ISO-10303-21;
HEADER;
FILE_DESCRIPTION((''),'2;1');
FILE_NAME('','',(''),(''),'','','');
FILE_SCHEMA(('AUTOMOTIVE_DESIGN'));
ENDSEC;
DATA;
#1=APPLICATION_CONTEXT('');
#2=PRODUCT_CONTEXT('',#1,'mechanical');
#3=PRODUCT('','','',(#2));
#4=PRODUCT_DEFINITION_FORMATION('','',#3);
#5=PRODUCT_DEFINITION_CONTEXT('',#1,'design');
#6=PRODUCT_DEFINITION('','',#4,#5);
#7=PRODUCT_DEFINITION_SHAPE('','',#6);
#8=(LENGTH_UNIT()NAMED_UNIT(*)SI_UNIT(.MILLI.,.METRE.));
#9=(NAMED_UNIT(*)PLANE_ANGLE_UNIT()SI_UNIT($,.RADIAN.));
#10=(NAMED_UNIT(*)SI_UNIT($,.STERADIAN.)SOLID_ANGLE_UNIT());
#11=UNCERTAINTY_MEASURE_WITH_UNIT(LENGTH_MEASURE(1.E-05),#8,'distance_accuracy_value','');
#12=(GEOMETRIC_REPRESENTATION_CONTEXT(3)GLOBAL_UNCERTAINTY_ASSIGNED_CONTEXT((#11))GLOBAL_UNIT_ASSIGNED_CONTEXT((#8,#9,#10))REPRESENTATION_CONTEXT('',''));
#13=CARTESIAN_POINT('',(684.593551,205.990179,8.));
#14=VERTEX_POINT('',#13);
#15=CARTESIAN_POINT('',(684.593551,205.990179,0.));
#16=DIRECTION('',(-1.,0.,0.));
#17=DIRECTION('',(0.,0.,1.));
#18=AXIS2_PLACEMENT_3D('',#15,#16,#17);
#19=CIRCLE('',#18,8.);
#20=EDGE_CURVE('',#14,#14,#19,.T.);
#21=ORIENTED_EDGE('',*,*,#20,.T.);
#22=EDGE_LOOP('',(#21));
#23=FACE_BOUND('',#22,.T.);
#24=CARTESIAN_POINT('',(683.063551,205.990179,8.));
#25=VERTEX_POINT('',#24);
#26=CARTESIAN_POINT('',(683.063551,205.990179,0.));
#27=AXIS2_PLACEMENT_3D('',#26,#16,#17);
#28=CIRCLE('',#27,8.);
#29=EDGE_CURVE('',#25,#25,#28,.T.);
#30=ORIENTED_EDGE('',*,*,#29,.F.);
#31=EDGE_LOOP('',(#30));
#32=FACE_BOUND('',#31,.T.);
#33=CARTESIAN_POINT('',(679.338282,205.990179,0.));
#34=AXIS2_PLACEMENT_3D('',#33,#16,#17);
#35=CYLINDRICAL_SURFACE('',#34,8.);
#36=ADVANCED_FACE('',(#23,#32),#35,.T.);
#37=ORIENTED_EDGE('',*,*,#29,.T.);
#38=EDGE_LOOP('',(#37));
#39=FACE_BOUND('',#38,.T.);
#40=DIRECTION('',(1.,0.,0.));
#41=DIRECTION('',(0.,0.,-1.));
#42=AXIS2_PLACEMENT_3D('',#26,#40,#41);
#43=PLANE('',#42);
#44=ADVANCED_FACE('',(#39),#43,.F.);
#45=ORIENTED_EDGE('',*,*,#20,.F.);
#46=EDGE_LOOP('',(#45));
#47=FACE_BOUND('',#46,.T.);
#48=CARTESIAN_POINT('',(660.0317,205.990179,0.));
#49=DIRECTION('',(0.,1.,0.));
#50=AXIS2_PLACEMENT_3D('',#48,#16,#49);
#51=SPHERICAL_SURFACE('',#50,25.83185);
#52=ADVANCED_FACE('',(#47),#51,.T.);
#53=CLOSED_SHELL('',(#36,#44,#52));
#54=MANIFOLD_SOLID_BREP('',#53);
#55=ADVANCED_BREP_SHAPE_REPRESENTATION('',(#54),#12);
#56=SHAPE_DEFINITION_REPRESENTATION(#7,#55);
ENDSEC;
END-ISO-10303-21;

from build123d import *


with BuildPart() as part:
    # 草图1 → 旋转1 (revolve)
    with BuildSketch(Plane.XY):
        with BuildLine():
            Line((683.063550857, 205.990179432), (683.063550857, 213.990179432))
            Line((683.063550857, 213.990179432), (684.593550857, 213.990179432))
            ThreePointArc((684.593550857, 213.990179432), (685.544075299, 210.040268937), (685.863550857, 205.990179432))
            Line((685.863550857, 205.990179432), (683.063550857, 205.990179432))
        make_face()
    revolve(axis=Axis((679.338282237, 205.990179432, 0), (1, 0, 0)))


solid = part.part
